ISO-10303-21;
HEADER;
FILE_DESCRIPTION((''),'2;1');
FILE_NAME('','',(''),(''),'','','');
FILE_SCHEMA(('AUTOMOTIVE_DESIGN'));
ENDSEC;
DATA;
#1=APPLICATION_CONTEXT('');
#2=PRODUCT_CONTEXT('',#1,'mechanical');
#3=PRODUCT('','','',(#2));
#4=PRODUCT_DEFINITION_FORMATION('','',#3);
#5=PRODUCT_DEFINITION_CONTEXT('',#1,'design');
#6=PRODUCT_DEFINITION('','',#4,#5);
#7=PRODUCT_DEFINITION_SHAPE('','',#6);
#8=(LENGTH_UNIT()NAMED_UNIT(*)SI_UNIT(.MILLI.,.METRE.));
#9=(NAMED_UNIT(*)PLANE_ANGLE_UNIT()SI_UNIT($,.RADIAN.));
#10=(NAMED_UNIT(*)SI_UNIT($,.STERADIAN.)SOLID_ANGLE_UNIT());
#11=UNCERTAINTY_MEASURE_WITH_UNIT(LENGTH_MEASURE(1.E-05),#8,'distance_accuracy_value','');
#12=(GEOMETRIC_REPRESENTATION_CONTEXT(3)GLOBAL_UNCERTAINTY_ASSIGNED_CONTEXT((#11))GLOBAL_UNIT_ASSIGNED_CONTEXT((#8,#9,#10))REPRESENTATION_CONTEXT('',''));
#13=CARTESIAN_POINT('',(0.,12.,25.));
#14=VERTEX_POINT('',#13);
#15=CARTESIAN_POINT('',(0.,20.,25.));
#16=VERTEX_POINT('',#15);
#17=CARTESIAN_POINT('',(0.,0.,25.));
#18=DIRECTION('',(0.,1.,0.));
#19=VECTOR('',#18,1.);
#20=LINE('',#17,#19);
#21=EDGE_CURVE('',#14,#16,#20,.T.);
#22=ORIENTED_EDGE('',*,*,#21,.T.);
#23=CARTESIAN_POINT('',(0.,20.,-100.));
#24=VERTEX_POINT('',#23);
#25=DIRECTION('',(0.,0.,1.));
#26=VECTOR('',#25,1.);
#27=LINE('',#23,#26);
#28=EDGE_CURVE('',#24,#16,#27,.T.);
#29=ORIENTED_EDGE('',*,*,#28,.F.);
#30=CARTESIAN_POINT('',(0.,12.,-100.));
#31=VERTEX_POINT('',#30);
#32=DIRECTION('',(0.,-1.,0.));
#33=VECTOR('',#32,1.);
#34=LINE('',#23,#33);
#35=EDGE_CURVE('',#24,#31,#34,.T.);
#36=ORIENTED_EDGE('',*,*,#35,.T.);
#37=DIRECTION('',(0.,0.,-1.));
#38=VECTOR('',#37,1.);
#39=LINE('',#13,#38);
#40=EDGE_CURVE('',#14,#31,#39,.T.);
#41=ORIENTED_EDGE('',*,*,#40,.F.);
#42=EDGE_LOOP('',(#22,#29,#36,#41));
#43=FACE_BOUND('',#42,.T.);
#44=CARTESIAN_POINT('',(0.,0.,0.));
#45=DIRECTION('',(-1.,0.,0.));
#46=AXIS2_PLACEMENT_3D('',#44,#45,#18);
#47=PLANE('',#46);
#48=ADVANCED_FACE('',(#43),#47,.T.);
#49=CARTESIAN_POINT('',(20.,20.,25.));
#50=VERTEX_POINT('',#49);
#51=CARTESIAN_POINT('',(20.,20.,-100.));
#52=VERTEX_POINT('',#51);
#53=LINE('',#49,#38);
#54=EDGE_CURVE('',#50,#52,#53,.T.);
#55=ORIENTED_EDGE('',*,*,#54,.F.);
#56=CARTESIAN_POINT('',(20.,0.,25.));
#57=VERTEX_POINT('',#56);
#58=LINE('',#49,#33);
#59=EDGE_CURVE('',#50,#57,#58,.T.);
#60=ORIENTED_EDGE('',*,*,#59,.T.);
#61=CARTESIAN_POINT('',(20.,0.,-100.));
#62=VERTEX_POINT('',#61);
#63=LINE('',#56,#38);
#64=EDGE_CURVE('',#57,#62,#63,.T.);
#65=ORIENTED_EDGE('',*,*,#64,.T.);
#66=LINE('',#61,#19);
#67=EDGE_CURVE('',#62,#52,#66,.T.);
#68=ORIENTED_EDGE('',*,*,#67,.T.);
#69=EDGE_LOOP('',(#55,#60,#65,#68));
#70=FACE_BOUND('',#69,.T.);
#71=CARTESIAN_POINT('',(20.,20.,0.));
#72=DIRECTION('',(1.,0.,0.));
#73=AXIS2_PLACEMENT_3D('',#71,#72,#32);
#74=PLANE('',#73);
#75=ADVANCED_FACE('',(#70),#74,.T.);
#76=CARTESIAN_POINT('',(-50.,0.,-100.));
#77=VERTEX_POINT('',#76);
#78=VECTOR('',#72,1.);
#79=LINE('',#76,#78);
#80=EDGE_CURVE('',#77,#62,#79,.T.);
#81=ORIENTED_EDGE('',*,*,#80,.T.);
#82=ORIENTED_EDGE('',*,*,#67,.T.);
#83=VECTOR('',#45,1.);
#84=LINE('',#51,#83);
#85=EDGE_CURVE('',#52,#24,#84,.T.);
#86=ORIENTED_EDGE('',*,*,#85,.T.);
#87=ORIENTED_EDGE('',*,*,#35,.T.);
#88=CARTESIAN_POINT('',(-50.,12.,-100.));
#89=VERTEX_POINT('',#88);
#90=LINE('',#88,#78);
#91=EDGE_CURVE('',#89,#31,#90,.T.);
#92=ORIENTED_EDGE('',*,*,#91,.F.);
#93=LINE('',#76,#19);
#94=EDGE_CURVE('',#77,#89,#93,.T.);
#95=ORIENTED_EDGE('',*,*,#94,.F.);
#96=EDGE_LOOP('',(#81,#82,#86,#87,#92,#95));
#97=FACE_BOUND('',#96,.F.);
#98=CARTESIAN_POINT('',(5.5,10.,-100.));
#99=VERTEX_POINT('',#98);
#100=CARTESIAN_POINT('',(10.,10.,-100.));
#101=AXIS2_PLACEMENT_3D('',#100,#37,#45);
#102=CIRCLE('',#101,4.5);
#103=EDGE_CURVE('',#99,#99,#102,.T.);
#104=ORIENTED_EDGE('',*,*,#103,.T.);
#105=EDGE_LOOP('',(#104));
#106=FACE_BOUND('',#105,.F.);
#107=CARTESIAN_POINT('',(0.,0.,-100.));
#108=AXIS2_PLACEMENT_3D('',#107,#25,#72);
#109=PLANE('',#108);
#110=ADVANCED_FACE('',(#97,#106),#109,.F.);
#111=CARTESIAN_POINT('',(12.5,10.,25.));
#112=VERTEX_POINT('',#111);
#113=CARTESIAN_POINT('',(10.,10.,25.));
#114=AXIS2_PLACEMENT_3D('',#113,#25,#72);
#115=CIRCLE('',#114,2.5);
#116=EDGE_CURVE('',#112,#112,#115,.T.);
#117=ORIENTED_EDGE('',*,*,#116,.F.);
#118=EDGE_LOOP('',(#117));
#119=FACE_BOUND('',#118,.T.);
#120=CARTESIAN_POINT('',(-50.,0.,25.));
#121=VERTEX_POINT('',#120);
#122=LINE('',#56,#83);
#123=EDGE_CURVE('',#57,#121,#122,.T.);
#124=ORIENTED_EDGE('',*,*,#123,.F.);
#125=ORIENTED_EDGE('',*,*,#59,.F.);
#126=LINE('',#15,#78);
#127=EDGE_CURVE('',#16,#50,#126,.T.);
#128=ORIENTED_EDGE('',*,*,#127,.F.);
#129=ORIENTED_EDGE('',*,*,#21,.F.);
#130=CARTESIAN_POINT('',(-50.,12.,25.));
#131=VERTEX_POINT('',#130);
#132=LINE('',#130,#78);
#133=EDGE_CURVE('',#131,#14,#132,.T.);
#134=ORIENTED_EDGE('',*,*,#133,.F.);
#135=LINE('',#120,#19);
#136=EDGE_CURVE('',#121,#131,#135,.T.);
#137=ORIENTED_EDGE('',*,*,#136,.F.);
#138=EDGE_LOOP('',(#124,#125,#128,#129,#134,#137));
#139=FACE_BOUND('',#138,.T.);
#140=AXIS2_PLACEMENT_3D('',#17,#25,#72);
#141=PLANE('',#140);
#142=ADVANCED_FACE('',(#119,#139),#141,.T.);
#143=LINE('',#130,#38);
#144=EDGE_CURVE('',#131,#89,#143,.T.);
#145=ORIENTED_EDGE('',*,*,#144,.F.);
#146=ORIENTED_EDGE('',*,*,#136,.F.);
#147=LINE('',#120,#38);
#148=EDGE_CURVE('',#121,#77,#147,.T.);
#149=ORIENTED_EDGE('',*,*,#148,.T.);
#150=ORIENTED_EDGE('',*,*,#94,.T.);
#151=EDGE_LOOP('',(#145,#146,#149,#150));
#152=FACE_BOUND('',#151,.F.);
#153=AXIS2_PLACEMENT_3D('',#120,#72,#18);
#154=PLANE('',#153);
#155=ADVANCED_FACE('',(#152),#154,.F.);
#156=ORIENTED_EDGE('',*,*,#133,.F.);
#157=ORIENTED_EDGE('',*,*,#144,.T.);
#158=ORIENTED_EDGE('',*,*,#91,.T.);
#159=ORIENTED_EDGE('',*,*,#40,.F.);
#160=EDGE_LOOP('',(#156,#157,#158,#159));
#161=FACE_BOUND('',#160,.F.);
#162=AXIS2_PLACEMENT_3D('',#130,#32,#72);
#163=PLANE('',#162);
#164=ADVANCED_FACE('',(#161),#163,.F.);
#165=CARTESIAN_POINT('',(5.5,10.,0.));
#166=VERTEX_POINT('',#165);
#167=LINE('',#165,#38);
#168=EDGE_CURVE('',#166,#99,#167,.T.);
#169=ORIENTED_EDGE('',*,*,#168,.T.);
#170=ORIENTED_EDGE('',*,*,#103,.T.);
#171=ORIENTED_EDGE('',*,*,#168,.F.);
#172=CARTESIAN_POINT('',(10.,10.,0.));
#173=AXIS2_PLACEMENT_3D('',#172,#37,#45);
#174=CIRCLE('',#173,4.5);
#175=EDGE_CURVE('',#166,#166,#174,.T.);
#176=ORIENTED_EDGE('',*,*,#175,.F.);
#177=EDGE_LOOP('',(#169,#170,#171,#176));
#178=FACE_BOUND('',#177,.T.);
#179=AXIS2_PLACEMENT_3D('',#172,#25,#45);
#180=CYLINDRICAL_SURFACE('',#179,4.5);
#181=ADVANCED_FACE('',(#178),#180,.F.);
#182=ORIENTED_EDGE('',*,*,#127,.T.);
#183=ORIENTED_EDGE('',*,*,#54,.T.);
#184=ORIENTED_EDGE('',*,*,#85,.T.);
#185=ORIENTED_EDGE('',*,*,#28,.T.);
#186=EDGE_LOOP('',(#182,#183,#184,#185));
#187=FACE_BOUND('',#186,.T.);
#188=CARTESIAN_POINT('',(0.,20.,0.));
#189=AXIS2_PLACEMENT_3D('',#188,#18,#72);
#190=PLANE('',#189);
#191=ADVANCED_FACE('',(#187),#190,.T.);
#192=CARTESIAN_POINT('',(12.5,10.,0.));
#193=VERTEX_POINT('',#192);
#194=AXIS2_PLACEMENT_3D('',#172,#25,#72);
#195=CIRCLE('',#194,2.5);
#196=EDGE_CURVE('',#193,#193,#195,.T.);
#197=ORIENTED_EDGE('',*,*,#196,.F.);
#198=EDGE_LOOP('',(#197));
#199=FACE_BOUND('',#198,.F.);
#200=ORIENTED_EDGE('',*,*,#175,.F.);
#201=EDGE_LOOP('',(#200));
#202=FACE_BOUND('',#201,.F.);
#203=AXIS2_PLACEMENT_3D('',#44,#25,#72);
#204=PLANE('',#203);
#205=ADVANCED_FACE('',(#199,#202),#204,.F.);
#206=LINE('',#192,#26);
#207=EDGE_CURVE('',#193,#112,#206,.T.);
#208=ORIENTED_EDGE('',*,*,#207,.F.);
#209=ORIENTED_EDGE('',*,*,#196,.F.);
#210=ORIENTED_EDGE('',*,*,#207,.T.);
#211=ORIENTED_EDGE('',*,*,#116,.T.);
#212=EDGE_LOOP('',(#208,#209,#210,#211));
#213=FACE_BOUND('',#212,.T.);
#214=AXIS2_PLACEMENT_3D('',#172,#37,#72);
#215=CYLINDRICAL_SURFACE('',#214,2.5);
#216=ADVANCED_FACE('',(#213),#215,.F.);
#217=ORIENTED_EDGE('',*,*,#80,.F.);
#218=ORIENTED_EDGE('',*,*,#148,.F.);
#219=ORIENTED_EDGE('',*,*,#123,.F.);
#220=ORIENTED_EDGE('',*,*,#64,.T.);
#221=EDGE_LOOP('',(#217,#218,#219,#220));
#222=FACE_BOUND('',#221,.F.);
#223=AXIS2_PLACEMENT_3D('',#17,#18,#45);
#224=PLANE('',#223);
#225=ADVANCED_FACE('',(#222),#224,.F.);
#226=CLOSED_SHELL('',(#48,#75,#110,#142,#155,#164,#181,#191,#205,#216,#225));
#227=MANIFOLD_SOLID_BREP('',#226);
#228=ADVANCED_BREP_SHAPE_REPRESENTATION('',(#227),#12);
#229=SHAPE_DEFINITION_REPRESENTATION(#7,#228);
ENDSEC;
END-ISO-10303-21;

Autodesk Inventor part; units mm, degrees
ref_plane "YZ Plane" through (0, 0, 0) normal (1, 0, 0) x (0, 1, 0)
ref_plane "XZ Plane" through (0, 0, 0) normal (0, 1, 0) x (-1, 0, 0)
ref_plane "XY Plane" through (0, 0, 0) normal (0, 0, 1) x (1, 0, 0)
sketch "Sketch1" plane through (0, 0, 0) normal (0, 0, 1) x (1, 0, 0)
  line L0 (0, 20) -> (20, 20)
  line L1 (20, 20) -> (20, 0)
  line L2 (20, 0) -> (0, 0)
  line L3 (0, 0) -> (0, 20)
  circle A0 centre (10, 10) radius 2.5
  dimension "d0" = 20
  dimension "d1" = 20
  dimension "d5" = 10
  dimension "d6" = 10
  dimension "d7" = 5
extrude "Extrusion2" add sketch "Sketch1" along normal blind 25
sketch "Sketch3" plane through (0, 0, 0) normal (0, 0, -1) x (-1, 0, 0)
  line L0 (-20, 20) -> (0, 20) projected
  line L1 (0, 20) -> (0, 0) projected
  line L2 (-20, 20) -> (0, 20)
  line L3 (0, 20) -> (0, 0)
  line L4 (0, 0) -> (-20, 0)
  line L5 (-20, 0) -> (-20, 20)
  circle A0 centre (-10, 10) radius 4.5
  dimension "d10" = 9
extrude "Extrusion3" add sketch "Sketch3" along normal blind 100
sketch "Sketch4" plane through (0, 0, 25) normal (0, 0, 1) x (1, 0, 0)
  line L0 (0, 0) -> (20, 0) projected
  line L1 (0, 0) -> (-50, 0)
  line L2 (-50, 0) -> (-50, 12)
  line L3 (-50, 12) -> (0, 12)
  line L4 (0, 12) -> (0, 0)
  point P0 (0, 6)
  dimension "d13" = 12
  dimension "d14" = 50
extrude "Extrusion4" add sketch "Sketch4" against normal blind 125
equation "\"d1\" = d0"
equation "\"d5\" = 0.5 * d0"
equation "\"d6\" = d5"
properties part number "Touchscreen mount v04"
